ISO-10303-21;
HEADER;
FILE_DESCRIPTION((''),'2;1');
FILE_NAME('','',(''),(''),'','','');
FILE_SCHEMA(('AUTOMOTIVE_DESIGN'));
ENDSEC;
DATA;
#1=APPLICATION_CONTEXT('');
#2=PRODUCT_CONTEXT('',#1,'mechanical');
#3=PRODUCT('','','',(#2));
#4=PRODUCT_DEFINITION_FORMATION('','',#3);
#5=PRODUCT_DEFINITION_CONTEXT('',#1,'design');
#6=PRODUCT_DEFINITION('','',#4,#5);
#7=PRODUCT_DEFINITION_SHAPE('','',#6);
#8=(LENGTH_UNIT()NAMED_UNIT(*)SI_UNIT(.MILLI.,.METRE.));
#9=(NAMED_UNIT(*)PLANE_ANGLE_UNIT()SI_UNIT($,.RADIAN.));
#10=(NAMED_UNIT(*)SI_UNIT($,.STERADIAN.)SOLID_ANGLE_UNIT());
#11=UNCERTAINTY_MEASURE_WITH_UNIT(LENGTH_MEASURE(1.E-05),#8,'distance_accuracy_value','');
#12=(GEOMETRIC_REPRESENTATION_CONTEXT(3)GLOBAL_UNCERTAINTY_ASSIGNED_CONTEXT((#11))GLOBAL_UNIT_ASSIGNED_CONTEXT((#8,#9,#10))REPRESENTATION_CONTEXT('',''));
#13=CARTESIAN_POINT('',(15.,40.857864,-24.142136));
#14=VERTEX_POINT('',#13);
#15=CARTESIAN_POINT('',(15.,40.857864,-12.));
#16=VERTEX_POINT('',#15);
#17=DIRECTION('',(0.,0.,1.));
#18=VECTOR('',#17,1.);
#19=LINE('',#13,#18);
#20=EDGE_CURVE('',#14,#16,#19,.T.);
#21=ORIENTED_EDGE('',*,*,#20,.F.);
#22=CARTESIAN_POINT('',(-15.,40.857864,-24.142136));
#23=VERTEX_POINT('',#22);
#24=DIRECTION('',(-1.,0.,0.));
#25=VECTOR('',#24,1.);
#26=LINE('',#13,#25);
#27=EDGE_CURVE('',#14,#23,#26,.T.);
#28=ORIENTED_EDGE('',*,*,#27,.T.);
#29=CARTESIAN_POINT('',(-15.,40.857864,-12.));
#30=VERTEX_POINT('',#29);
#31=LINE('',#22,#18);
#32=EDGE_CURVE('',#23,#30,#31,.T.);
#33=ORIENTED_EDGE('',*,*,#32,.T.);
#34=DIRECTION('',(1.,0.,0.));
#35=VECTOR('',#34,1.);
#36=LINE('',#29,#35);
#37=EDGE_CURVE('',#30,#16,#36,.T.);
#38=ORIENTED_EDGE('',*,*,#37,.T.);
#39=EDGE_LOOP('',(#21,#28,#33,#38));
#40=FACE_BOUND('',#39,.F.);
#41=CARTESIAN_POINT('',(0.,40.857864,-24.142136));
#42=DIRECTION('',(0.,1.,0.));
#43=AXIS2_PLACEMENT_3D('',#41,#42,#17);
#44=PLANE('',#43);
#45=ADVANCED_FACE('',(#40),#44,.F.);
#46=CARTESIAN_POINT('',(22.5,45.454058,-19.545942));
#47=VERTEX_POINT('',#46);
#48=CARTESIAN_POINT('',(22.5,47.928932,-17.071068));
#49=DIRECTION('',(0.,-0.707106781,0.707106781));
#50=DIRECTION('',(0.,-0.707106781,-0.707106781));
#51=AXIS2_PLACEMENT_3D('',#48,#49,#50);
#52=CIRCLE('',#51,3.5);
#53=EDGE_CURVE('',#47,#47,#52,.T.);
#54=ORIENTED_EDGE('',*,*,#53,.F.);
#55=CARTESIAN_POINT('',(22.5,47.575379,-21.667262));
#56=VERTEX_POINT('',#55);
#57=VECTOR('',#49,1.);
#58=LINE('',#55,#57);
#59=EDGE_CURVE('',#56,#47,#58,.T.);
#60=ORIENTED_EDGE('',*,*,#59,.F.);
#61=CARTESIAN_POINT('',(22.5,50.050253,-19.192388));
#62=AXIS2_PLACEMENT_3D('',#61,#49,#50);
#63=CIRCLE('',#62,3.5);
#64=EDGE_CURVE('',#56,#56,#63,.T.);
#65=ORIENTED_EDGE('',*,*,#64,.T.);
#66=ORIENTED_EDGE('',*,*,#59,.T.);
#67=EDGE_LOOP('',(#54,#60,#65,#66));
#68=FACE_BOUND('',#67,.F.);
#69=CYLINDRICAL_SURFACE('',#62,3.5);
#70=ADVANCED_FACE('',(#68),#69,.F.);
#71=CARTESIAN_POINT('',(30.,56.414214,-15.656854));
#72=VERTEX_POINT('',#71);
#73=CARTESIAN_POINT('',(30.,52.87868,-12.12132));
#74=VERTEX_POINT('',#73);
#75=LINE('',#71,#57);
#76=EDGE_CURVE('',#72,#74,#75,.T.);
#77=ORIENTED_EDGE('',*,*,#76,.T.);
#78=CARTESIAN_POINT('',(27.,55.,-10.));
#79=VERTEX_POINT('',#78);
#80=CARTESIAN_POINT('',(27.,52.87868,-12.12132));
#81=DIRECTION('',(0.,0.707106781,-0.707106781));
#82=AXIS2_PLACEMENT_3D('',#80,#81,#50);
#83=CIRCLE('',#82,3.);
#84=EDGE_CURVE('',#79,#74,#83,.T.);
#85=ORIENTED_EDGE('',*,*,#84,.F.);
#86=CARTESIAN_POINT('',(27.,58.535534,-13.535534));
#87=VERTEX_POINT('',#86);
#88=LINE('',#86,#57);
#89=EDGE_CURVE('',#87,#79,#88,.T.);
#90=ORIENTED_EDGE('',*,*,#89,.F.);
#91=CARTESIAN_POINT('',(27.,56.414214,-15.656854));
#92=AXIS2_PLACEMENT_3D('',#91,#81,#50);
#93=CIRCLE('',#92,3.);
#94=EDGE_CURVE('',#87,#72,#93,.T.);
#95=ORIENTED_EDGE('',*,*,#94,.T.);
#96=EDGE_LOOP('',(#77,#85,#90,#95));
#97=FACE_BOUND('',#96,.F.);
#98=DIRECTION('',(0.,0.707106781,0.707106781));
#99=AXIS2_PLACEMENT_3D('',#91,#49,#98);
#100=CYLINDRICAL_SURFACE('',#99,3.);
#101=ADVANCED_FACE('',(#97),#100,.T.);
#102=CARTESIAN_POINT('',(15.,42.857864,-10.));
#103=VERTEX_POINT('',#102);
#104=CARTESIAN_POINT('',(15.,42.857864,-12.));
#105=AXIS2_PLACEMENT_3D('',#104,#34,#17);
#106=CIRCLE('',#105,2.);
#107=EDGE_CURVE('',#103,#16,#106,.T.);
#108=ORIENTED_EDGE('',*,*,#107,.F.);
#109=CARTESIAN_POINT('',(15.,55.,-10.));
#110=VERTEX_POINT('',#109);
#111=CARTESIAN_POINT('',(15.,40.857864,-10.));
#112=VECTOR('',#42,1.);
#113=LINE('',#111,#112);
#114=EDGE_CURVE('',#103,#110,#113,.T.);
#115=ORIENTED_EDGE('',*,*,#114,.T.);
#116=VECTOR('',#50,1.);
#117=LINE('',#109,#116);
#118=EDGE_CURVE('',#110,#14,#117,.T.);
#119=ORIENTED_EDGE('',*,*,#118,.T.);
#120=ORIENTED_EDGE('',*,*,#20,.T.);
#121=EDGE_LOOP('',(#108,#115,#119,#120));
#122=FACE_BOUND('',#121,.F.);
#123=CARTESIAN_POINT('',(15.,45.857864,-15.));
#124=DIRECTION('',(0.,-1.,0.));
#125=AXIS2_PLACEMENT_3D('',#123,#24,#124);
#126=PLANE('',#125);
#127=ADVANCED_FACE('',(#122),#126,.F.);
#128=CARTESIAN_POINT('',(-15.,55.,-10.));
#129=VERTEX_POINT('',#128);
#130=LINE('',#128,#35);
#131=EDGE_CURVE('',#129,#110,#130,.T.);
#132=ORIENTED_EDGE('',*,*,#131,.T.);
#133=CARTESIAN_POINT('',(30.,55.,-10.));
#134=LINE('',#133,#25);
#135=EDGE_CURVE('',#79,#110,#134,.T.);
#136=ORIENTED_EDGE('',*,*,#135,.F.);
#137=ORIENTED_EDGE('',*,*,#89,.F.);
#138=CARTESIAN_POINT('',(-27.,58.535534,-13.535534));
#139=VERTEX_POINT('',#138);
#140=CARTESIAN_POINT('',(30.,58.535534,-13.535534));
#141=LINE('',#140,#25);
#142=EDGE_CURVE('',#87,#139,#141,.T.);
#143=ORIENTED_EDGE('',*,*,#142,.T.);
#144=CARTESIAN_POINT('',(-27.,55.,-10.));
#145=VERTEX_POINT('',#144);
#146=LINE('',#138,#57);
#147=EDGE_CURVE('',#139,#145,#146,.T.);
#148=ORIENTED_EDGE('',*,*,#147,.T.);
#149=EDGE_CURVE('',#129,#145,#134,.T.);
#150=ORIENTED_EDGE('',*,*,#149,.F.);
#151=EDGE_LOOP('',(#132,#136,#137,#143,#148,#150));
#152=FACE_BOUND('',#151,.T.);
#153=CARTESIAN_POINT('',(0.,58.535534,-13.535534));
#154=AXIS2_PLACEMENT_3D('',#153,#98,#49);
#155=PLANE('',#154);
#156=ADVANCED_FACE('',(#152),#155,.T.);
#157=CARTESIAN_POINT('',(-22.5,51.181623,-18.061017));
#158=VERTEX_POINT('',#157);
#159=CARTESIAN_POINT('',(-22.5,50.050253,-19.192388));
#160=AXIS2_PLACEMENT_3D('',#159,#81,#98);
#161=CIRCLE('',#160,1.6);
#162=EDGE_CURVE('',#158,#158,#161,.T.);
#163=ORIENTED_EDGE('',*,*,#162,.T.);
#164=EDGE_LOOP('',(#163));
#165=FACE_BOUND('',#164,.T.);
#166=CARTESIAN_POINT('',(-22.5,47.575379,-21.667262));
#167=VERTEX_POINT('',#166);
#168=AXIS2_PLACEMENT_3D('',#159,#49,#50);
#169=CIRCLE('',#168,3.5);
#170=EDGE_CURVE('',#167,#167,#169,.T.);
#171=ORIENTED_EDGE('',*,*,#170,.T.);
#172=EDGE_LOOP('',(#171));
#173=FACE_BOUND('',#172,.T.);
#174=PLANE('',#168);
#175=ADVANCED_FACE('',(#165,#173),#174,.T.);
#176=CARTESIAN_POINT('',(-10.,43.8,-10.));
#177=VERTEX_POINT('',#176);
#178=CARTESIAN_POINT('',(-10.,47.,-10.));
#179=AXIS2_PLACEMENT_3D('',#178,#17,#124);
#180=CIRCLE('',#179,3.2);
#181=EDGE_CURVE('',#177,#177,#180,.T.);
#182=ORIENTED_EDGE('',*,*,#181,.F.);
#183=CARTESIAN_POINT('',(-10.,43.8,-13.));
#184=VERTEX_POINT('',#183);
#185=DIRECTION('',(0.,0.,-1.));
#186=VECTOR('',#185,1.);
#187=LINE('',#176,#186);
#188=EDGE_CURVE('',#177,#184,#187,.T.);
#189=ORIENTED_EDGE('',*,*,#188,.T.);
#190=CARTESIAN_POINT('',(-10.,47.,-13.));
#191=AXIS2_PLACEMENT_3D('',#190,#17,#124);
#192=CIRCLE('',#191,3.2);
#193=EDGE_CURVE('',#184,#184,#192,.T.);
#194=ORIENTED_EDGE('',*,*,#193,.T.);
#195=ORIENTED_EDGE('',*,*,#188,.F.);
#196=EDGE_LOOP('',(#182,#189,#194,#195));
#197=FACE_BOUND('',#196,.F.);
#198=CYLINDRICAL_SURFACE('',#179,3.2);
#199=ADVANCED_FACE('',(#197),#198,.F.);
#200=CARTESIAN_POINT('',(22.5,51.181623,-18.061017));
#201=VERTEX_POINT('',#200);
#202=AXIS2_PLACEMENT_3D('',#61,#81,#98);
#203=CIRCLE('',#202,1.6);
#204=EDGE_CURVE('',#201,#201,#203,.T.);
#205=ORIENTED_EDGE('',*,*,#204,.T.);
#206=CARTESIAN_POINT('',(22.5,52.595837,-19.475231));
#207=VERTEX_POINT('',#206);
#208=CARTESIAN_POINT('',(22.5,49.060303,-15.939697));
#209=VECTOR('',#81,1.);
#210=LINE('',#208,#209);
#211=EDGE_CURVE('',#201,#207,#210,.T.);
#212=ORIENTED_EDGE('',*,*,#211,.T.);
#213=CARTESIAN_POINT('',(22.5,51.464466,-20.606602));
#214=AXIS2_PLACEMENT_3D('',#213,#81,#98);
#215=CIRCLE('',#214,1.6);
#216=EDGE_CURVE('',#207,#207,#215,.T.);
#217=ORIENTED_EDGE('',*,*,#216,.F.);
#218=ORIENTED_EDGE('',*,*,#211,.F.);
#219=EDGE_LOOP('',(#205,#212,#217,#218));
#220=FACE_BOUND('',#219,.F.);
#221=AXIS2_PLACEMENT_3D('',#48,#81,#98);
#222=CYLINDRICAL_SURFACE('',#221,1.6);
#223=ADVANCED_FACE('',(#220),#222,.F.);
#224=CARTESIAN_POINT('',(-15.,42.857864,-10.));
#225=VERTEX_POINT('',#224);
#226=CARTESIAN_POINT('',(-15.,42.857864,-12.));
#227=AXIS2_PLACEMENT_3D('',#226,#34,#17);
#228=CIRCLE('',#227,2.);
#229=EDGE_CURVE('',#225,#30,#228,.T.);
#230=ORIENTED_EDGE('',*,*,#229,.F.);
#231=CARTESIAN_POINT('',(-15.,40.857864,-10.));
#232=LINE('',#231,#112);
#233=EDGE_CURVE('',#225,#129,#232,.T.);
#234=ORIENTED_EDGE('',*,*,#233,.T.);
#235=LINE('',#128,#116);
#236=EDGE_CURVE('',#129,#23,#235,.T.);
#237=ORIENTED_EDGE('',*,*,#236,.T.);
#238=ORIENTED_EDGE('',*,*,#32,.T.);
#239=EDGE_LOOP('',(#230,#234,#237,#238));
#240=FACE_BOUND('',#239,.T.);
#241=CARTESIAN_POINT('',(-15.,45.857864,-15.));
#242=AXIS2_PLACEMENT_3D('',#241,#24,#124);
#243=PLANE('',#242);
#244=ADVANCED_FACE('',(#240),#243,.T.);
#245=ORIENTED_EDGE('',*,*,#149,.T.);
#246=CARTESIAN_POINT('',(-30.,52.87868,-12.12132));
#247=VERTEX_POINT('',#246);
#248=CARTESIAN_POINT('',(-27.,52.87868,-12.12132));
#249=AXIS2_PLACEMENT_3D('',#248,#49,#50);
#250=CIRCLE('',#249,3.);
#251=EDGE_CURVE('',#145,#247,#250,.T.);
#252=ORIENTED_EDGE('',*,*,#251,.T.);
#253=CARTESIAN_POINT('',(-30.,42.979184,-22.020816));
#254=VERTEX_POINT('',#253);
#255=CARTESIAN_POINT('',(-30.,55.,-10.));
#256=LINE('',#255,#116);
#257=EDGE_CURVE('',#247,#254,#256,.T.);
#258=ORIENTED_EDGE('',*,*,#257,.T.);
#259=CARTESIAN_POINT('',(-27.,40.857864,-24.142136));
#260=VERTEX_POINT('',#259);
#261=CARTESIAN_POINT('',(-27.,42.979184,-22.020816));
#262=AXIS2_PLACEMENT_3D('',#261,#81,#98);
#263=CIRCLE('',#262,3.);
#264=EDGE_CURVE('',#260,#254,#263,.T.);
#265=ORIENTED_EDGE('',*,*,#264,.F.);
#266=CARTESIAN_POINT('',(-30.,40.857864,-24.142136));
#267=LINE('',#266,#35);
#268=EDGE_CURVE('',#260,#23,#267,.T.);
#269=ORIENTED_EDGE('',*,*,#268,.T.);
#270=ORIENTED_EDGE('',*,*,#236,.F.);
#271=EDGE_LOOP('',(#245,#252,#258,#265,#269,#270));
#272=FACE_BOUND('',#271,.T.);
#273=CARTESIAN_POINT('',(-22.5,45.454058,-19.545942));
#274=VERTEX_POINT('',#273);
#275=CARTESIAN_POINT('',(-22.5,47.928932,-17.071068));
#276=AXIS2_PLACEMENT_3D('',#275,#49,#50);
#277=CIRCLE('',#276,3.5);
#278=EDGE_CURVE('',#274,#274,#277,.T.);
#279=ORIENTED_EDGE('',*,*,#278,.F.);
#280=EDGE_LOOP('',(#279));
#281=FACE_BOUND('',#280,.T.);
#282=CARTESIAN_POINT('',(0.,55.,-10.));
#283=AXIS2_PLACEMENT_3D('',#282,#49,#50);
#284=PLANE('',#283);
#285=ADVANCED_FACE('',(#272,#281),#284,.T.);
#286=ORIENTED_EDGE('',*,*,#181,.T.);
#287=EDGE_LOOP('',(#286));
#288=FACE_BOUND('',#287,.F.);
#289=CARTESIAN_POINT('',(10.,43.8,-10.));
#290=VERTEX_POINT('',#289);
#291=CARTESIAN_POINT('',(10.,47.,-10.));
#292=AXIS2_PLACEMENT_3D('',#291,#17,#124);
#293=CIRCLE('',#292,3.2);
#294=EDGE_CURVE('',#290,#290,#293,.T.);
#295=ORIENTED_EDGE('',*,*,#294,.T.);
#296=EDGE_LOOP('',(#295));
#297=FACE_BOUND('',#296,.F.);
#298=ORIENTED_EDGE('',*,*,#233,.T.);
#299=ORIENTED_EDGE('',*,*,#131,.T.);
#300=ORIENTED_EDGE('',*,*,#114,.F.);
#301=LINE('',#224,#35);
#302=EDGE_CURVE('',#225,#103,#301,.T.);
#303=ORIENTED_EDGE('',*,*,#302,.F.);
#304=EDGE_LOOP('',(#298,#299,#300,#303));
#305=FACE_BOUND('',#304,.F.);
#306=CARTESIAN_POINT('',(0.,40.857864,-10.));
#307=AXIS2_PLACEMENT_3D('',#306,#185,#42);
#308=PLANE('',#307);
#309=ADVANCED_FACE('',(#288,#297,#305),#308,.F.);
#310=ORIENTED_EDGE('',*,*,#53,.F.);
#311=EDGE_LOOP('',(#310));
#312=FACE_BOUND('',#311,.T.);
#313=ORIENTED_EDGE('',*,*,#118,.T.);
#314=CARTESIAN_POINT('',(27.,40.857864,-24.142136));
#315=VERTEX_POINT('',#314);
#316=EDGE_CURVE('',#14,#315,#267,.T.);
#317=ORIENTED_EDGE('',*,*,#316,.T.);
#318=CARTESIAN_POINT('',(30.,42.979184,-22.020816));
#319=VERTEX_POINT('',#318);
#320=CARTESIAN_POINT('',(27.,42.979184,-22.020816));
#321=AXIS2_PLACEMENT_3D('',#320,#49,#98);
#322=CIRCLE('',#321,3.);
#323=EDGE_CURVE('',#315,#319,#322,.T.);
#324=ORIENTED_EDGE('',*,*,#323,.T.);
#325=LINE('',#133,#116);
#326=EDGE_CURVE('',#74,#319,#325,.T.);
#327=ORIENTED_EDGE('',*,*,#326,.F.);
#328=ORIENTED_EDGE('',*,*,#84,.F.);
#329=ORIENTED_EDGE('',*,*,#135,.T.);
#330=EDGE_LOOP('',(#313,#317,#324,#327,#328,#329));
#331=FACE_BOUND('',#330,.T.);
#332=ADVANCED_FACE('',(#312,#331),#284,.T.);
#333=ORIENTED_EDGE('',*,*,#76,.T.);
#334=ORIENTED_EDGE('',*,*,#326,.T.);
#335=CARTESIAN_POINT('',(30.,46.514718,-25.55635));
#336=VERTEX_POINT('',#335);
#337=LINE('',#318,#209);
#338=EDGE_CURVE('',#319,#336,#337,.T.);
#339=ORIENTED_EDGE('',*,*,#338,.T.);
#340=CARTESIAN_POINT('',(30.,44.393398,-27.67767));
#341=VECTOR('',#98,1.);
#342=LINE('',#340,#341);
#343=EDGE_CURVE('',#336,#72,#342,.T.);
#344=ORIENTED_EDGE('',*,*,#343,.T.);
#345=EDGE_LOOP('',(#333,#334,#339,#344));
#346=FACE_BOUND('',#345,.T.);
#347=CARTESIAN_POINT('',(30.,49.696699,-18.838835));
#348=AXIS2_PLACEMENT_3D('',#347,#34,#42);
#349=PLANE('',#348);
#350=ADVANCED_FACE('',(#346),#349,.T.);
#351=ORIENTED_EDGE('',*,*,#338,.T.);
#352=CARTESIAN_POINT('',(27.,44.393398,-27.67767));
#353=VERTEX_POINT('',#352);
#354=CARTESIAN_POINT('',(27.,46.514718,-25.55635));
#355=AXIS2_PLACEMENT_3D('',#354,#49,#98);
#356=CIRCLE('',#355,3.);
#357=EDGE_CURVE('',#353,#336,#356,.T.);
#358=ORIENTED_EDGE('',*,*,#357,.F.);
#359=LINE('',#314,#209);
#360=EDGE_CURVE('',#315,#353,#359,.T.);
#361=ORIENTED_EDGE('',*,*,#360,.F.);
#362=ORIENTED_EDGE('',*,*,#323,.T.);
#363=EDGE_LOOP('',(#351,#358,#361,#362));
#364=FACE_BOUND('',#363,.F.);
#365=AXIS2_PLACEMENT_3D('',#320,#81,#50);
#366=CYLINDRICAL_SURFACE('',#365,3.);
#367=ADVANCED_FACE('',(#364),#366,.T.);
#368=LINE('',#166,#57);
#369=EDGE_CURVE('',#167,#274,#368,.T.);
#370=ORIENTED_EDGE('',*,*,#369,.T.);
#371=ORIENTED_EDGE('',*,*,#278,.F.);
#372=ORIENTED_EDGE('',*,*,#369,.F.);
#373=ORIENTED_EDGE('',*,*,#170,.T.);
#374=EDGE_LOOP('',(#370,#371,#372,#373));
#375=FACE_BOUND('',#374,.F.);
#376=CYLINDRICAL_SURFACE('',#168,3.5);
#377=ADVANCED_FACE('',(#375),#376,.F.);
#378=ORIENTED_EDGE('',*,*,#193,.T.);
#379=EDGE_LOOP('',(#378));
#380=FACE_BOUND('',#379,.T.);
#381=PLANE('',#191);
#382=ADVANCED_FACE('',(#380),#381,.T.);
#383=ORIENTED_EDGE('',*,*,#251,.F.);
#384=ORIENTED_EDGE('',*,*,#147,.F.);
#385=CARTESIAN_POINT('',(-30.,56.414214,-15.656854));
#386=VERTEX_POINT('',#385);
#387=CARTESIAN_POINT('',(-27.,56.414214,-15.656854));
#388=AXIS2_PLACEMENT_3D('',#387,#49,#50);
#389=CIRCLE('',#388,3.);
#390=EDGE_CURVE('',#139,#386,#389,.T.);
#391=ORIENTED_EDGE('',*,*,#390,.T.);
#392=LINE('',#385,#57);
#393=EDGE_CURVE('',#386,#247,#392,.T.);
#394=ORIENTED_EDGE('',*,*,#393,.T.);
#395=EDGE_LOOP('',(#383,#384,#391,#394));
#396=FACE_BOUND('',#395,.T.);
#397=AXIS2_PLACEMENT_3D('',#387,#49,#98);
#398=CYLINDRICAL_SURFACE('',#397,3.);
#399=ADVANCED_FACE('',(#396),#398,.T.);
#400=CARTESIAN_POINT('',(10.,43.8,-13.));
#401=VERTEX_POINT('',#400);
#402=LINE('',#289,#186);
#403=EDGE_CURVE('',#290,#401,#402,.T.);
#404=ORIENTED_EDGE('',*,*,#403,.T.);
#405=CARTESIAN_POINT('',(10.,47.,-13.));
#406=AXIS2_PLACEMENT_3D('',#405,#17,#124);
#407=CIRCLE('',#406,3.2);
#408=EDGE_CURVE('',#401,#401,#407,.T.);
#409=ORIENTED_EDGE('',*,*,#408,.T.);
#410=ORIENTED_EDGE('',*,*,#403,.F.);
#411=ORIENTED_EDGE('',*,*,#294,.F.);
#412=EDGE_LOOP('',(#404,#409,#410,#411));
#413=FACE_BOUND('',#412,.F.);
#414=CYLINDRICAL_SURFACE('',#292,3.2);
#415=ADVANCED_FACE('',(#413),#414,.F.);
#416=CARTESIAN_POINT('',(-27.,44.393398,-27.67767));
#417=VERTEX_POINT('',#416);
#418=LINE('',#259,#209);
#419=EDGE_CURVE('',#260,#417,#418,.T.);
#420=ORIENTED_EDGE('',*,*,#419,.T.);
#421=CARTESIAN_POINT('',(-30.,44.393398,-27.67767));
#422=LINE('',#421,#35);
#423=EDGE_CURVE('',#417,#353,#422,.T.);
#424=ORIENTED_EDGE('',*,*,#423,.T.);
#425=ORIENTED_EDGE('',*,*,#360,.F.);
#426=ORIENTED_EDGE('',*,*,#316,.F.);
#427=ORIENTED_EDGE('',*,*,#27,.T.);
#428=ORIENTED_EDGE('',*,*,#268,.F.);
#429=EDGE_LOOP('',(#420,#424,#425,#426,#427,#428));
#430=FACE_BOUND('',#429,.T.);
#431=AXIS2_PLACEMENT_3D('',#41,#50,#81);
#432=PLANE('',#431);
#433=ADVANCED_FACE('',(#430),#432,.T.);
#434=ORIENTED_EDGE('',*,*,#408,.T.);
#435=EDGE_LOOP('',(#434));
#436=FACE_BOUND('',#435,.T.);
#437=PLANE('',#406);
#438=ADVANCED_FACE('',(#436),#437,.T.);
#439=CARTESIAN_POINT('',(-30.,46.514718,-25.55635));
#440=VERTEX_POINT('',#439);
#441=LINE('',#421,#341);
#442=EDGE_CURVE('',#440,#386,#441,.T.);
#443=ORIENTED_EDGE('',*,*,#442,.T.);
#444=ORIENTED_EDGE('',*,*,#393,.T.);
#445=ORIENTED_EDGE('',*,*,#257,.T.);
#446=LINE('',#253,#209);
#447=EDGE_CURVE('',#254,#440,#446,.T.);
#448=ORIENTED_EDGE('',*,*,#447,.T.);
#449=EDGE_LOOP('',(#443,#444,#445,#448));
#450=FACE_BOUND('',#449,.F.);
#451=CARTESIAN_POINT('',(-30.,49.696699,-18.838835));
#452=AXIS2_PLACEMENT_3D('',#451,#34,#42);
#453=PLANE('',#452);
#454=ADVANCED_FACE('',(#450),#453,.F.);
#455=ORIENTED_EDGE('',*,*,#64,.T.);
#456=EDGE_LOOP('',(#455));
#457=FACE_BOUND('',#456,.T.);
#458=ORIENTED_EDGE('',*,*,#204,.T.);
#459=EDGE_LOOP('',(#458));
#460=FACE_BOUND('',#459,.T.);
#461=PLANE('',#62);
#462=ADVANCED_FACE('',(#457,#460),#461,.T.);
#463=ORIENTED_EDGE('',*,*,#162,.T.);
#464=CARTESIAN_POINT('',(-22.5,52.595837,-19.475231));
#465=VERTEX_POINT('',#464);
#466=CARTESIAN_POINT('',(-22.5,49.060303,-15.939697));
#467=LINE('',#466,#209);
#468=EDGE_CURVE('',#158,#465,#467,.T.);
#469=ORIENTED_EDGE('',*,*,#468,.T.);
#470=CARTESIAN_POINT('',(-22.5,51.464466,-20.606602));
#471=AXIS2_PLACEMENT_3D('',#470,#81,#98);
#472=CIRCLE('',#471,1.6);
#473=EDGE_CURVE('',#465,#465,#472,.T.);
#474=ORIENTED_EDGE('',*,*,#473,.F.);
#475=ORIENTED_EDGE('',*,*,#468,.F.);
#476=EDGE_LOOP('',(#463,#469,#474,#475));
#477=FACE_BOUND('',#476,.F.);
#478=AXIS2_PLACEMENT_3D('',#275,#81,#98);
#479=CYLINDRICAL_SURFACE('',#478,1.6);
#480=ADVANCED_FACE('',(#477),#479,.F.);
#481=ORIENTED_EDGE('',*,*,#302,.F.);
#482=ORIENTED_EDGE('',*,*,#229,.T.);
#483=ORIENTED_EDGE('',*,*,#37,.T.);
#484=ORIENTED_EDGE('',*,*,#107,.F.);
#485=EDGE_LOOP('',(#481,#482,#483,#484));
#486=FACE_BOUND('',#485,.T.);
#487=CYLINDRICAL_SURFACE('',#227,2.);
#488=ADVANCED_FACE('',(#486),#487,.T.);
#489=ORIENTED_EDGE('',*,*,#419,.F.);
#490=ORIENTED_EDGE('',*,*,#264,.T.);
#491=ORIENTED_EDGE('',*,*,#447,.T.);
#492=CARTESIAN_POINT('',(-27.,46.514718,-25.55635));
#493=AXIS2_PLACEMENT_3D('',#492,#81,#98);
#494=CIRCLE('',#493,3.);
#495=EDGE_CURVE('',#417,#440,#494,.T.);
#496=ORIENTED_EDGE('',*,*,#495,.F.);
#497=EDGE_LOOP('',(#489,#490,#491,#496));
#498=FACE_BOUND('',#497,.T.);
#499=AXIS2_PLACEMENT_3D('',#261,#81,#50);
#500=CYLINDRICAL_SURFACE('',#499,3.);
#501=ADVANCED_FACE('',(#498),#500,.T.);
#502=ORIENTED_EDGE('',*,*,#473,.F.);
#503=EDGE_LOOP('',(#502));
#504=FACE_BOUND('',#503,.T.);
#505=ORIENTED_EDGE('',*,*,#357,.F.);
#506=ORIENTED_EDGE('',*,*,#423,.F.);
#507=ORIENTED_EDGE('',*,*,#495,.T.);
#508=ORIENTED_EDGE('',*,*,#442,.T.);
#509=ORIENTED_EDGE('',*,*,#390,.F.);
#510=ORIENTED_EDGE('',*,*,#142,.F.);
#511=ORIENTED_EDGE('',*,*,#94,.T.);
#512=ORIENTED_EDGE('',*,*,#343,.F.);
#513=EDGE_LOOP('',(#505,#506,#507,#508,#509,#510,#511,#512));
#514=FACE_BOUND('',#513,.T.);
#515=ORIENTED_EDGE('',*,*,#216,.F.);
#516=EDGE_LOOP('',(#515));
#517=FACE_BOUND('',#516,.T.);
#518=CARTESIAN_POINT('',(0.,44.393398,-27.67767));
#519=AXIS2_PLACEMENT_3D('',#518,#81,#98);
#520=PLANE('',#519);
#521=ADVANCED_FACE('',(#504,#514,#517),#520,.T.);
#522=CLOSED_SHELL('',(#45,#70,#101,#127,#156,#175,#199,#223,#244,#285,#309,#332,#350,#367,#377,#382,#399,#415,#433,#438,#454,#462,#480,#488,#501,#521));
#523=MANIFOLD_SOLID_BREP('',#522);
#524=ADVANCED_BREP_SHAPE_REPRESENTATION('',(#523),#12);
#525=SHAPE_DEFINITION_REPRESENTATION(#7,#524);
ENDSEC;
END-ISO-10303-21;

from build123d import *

# Parameters (mm, degrees)
PAD004_DEPTH     = 15
PAD005_DEPTH     = 30
SKETCH009_R      = 3.2
POCKET003_DEPTH  = 3
HOLE_D           = 3.2
HOLE_CBORE_D     = 7
HOLE_CBORE_DEPTH = 3
FILLET_R         = 2
FILLET001_R      = 3


with BuildPart() as part:
    # Sketch007 → Pad004 (new body, symmetric)
    with BuildSketch(Plane.YZ):
        Polygon((0, 0), (-14.142136, -14.142136), (-14.142136, 0), align=None)
    extrude(amount=PAD004_DEPTH, both=True)

    # Sketch008 → Pad005 (join, symmetric)
    with BuildSketch(Plane.YZ):
        Polygon((0, 0), (-14.142136, -14.142136), (-10.606602, -17.67767), (3.535534, -3.535534), align=None)
    extrude(amount=PAD005_DEPTH, both=True)

    # Sketch009 (on Face3 of Pad005) → Pocket003 (cut)
    with BuildSketch(Plane(origin=(0, 0, 0), x_dir=(0, -1, 0), z_dir=(0, 0, 1))):
        with Locations((8, 10)):
            Circle(SKETCH009_R)
        with Locations((8, -10)):
            Circle(SKETCH009_R)
    extrude(amount=-POCKET003_DEPTH, mode=Mode.SUBTRACT)

    # Hole (through all)
    with Locations(Plane(origin=(0, 0, 0), x_dir=(0, -0.707107, -0.707107), z_dir=(0, -0.707107, 0.707107))):
        with Locations((10, 22.5), (10, -22.5)):
            CounterBoreHole(HOLE_D / 2, HOLE_CBORE_D / 2, HOLE_CBORE_DEPTH)

    # Fillet
    fillet_edges = [part.edges().sort_by_distance(p)[0] for p in [
        (0, -14.142136, 0),
    ]]
    fillet(fillet_edges, radius=FILLET_R)

    # Fillet001
    fillet001_edges = [part.edges().sort_by_distance(p)[0] for p in [
        (-30, 1.767767, -1.767767),
        (-30, -12.374369, -15.909903),
        (30, 1.767767, -1.767767),
        (30, -12.374369, -15.909903),
    ]]
    fillet(fillet001_edges, radius=FILLET001_R)


with BuildPart() as part_1:
    # Body002 placement: moved
    add(part.part.moved(Location((0, 55, -10))))


solid = part_1.part
